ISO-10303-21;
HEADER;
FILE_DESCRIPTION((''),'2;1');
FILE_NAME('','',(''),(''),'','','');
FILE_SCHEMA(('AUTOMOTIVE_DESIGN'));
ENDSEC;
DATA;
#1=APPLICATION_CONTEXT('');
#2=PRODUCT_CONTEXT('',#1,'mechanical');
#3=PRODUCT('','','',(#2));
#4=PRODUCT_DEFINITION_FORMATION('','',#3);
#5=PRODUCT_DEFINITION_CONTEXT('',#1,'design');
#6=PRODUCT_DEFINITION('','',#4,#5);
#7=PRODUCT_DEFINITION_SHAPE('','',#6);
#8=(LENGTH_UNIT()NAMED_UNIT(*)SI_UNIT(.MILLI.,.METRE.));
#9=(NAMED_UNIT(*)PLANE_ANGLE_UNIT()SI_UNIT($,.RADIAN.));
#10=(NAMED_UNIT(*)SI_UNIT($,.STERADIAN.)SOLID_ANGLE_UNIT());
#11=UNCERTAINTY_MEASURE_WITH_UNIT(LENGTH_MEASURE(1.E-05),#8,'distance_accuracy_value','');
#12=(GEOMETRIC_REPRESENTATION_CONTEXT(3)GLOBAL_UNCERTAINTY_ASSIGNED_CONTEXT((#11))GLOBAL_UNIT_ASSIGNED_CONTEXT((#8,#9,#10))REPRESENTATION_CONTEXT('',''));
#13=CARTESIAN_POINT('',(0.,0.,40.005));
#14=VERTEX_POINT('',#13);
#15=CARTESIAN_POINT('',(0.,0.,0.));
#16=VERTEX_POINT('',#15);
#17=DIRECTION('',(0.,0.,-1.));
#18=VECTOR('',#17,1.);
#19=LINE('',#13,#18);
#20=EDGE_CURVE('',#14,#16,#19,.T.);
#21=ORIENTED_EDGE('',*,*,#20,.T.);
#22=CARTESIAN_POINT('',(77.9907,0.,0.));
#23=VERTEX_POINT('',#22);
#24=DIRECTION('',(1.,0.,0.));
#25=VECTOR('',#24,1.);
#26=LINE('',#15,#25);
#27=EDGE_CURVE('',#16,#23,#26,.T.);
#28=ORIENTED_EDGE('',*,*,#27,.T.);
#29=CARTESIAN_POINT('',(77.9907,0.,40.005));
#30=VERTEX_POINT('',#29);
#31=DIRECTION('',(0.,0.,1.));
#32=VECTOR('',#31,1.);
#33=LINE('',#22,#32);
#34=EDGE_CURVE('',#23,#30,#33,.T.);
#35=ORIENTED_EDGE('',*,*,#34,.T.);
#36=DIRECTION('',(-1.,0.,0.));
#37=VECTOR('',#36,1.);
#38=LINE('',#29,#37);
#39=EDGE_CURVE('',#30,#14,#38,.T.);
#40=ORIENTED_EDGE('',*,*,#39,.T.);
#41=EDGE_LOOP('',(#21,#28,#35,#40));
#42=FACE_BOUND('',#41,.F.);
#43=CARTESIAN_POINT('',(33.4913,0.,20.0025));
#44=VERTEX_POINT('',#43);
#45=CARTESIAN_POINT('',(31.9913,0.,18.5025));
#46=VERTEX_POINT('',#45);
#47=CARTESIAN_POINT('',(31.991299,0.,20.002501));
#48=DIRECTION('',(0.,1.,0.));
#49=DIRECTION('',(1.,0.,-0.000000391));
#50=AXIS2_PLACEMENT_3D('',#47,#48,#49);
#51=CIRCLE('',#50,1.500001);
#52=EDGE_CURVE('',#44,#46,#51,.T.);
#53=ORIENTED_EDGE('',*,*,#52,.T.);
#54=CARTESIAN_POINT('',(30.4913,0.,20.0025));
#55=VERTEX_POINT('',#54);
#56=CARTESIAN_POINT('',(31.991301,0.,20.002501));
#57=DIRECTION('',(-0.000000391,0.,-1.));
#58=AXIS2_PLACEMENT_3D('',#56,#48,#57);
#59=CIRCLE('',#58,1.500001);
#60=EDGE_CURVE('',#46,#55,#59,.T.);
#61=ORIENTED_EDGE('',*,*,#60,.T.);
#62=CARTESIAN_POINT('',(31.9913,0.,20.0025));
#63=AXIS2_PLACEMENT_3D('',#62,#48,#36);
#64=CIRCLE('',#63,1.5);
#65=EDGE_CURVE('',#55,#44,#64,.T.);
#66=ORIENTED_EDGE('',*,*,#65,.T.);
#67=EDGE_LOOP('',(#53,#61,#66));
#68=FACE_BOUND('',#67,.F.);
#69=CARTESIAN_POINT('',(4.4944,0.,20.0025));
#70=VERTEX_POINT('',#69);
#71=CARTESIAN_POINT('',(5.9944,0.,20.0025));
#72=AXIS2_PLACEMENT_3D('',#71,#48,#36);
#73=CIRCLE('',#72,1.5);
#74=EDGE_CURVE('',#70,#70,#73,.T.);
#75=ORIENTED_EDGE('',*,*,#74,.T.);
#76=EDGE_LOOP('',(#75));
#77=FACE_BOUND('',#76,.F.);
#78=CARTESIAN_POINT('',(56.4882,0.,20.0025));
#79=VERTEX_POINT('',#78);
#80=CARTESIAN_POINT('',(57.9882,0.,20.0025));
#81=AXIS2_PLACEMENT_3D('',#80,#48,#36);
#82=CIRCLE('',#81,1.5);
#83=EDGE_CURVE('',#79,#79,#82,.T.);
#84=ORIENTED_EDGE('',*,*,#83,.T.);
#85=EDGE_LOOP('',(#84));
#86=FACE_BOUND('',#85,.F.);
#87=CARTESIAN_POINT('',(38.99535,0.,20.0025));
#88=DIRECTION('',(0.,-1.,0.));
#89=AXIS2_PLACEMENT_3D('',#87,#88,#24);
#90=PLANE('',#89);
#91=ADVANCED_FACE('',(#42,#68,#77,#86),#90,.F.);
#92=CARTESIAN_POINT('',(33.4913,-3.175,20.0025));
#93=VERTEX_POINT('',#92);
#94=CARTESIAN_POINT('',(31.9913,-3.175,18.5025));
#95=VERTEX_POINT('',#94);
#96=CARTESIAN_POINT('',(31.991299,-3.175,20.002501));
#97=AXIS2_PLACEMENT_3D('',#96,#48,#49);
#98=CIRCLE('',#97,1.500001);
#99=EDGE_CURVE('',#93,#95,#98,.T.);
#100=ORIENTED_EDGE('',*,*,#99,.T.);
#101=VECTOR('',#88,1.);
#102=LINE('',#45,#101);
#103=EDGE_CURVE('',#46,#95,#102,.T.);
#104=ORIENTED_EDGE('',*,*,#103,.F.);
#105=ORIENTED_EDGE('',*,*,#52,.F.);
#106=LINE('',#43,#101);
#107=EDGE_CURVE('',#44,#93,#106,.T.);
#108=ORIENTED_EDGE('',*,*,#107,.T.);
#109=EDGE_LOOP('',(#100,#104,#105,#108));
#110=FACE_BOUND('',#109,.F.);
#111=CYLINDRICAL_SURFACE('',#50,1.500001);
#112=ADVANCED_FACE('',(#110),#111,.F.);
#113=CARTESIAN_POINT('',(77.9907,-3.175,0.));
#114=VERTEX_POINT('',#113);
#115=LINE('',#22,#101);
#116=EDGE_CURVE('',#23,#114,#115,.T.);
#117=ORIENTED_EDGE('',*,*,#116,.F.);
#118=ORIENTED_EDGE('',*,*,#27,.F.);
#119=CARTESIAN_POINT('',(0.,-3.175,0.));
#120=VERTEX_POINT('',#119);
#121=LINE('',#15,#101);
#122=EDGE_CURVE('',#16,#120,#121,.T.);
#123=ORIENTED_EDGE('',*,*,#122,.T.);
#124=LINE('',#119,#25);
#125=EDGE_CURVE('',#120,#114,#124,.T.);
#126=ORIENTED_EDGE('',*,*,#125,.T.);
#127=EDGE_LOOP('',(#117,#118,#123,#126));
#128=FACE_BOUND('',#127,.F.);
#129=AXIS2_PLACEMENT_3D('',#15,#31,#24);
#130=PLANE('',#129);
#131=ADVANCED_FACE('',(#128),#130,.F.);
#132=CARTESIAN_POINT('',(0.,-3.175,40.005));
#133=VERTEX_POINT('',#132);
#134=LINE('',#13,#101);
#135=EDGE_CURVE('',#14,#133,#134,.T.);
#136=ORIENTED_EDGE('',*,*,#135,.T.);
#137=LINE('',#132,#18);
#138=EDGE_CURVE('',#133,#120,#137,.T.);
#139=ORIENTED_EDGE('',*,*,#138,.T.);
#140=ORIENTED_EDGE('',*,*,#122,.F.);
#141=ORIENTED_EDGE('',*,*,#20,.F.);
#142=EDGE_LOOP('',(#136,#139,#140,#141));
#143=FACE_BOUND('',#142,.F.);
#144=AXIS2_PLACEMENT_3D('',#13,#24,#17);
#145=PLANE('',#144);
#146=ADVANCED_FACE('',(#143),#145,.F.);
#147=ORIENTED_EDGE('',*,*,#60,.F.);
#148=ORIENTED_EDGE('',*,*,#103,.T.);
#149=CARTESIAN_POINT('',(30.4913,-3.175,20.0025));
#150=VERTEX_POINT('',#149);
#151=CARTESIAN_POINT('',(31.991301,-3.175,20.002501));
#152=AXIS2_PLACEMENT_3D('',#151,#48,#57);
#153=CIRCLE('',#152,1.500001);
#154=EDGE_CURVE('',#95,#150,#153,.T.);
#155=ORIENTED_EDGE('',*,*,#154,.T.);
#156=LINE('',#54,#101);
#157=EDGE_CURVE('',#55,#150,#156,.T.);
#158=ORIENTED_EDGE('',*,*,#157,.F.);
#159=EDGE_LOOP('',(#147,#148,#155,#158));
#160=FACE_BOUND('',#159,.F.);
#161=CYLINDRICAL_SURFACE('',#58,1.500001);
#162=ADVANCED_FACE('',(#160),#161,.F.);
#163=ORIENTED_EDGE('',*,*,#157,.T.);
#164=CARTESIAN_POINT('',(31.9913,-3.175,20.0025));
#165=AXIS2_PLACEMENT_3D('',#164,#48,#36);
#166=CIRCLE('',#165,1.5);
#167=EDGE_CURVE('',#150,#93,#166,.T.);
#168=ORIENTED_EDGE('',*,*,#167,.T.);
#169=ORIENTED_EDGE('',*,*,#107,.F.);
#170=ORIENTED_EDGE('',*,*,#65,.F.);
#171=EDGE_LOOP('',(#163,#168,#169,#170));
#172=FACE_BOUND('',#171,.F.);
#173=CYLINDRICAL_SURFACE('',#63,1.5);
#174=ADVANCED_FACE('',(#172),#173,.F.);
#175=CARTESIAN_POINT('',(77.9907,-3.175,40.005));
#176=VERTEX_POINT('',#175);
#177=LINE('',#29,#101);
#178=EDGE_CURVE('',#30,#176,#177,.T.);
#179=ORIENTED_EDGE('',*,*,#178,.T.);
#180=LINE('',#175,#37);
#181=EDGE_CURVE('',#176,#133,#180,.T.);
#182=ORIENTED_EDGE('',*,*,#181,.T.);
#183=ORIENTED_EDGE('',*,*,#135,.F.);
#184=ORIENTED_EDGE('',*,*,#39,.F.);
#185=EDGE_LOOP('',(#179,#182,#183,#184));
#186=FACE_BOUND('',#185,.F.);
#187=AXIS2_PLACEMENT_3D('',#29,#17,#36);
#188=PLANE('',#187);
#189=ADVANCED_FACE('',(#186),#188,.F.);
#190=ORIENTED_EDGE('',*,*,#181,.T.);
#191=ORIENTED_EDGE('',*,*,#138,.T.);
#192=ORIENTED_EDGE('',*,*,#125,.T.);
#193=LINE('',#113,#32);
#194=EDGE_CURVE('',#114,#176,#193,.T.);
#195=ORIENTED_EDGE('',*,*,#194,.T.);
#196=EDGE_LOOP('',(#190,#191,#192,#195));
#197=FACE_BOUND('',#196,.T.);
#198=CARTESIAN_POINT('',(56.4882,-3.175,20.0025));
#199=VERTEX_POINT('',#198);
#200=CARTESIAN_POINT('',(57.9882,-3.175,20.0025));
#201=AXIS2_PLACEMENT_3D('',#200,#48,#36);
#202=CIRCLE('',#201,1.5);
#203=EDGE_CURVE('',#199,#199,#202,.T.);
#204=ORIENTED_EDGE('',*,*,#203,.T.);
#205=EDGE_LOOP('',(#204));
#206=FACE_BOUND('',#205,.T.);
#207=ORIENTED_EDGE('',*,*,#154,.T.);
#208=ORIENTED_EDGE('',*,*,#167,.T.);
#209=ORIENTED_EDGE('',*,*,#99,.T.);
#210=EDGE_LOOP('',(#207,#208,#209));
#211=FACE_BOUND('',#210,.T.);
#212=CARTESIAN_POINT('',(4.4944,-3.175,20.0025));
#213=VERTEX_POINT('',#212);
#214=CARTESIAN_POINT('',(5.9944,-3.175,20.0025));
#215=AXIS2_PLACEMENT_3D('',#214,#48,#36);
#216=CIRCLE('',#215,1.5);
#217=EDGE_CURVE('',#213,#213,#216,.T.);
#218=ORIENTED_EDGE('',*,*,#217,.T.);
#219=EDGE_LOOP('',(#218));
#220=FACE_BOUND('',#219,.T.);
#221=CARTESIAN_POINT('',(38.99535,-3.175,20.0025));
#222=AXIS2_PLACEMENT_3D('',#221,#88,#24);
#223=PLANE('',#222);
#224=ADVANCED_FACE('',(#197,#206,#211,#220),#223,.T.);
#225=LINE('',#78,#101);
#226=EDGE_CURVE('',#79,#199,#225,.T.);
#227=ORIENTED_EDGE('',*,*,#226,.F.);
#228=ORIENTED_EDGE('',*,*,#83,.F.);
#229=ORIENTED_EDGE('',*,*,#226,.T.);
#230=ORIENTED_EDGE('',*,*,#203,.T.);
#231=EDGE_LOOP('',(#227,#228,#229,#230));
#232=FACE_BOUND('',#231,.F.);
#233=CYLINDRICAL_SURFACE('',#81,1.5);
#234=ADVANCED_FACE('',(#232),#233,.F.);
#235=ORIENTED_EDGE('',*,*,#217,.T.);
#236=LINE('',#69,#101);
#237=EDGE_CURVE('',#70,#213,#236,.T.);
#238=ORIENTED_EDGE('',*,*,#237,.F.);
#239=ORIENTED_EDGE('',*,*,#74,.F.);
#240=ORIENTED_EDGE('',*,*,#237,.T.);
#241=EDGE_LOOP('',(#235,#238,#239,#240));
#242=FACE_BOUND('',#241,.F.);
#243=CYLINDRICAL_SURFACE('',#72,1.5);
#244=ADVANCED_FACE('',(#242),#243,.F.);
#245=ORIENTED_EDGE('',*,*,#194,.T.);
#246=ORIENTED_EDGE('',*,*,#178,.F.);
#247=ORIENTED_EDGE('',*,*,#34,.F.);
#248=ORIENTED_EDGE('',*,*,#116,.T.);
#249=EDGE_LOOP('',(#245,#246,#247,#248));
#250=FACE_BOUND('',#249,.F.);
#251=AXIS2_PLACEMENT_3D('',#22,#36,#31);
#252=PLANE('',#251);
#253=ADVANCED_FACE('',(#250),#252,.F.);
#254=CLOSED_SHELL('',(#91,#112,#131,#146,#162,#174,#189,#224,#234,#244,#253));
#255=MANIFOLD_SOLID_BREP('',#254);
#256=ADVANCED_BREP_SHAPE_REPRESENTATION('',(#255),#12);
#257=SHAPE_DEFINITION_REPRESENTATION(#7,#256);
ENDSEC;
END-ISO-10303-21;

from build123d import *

# Parameters (mm, degrees)
F1_DEPTH = 3.175


with BuildPart() as f1:
    # F0 (on Front) → F1 (new body)
    with BuildSketch(Plane.XZ):
        Polygon((0, 20.0025), (0, 0), (77.9907, 0), (77.9907, 40.005), (0, 40.005), align=None)
        with BuildLine():
            ThreePointArc((7.4944, 20.0025), (5.9944, 18.5025), (4.4944, 20.0025))
            ThreePointArc((4.4944, 20.0025), (5.9944, 21.5025), (7.4944, 20.0025))
        make_face(mode=Mode.SUBTRACT)
        with BuildLine():
            ThreePointArc((31.9913, 18.5025), (30.93064, 18.94184), (30.4913, 20.0025))
            ThreePointArc((30.4913, 20.0025), (31.9913, 21.5025), (33.4913, 20.0025))
            ThreePointArc((33.4913, 20.0025), (33.05196, 18.94184), (31.9913, 18.5025))
        make_face(mode=Mode.SUBTRACT)
        with BuildLine():
            ThreePointArc((59.4882, 20.0025), (57.9882, 18.5025), (56.4882, 20.0025))
            ThreePointArc((56.4882, 20.0025), (57.9882, 21.5025), (59.4882, 20.0025))
        make_face(mode=Mode.SUBTRACT)
    extrude(amount=F1_DEPTH)


solid = f1.part
